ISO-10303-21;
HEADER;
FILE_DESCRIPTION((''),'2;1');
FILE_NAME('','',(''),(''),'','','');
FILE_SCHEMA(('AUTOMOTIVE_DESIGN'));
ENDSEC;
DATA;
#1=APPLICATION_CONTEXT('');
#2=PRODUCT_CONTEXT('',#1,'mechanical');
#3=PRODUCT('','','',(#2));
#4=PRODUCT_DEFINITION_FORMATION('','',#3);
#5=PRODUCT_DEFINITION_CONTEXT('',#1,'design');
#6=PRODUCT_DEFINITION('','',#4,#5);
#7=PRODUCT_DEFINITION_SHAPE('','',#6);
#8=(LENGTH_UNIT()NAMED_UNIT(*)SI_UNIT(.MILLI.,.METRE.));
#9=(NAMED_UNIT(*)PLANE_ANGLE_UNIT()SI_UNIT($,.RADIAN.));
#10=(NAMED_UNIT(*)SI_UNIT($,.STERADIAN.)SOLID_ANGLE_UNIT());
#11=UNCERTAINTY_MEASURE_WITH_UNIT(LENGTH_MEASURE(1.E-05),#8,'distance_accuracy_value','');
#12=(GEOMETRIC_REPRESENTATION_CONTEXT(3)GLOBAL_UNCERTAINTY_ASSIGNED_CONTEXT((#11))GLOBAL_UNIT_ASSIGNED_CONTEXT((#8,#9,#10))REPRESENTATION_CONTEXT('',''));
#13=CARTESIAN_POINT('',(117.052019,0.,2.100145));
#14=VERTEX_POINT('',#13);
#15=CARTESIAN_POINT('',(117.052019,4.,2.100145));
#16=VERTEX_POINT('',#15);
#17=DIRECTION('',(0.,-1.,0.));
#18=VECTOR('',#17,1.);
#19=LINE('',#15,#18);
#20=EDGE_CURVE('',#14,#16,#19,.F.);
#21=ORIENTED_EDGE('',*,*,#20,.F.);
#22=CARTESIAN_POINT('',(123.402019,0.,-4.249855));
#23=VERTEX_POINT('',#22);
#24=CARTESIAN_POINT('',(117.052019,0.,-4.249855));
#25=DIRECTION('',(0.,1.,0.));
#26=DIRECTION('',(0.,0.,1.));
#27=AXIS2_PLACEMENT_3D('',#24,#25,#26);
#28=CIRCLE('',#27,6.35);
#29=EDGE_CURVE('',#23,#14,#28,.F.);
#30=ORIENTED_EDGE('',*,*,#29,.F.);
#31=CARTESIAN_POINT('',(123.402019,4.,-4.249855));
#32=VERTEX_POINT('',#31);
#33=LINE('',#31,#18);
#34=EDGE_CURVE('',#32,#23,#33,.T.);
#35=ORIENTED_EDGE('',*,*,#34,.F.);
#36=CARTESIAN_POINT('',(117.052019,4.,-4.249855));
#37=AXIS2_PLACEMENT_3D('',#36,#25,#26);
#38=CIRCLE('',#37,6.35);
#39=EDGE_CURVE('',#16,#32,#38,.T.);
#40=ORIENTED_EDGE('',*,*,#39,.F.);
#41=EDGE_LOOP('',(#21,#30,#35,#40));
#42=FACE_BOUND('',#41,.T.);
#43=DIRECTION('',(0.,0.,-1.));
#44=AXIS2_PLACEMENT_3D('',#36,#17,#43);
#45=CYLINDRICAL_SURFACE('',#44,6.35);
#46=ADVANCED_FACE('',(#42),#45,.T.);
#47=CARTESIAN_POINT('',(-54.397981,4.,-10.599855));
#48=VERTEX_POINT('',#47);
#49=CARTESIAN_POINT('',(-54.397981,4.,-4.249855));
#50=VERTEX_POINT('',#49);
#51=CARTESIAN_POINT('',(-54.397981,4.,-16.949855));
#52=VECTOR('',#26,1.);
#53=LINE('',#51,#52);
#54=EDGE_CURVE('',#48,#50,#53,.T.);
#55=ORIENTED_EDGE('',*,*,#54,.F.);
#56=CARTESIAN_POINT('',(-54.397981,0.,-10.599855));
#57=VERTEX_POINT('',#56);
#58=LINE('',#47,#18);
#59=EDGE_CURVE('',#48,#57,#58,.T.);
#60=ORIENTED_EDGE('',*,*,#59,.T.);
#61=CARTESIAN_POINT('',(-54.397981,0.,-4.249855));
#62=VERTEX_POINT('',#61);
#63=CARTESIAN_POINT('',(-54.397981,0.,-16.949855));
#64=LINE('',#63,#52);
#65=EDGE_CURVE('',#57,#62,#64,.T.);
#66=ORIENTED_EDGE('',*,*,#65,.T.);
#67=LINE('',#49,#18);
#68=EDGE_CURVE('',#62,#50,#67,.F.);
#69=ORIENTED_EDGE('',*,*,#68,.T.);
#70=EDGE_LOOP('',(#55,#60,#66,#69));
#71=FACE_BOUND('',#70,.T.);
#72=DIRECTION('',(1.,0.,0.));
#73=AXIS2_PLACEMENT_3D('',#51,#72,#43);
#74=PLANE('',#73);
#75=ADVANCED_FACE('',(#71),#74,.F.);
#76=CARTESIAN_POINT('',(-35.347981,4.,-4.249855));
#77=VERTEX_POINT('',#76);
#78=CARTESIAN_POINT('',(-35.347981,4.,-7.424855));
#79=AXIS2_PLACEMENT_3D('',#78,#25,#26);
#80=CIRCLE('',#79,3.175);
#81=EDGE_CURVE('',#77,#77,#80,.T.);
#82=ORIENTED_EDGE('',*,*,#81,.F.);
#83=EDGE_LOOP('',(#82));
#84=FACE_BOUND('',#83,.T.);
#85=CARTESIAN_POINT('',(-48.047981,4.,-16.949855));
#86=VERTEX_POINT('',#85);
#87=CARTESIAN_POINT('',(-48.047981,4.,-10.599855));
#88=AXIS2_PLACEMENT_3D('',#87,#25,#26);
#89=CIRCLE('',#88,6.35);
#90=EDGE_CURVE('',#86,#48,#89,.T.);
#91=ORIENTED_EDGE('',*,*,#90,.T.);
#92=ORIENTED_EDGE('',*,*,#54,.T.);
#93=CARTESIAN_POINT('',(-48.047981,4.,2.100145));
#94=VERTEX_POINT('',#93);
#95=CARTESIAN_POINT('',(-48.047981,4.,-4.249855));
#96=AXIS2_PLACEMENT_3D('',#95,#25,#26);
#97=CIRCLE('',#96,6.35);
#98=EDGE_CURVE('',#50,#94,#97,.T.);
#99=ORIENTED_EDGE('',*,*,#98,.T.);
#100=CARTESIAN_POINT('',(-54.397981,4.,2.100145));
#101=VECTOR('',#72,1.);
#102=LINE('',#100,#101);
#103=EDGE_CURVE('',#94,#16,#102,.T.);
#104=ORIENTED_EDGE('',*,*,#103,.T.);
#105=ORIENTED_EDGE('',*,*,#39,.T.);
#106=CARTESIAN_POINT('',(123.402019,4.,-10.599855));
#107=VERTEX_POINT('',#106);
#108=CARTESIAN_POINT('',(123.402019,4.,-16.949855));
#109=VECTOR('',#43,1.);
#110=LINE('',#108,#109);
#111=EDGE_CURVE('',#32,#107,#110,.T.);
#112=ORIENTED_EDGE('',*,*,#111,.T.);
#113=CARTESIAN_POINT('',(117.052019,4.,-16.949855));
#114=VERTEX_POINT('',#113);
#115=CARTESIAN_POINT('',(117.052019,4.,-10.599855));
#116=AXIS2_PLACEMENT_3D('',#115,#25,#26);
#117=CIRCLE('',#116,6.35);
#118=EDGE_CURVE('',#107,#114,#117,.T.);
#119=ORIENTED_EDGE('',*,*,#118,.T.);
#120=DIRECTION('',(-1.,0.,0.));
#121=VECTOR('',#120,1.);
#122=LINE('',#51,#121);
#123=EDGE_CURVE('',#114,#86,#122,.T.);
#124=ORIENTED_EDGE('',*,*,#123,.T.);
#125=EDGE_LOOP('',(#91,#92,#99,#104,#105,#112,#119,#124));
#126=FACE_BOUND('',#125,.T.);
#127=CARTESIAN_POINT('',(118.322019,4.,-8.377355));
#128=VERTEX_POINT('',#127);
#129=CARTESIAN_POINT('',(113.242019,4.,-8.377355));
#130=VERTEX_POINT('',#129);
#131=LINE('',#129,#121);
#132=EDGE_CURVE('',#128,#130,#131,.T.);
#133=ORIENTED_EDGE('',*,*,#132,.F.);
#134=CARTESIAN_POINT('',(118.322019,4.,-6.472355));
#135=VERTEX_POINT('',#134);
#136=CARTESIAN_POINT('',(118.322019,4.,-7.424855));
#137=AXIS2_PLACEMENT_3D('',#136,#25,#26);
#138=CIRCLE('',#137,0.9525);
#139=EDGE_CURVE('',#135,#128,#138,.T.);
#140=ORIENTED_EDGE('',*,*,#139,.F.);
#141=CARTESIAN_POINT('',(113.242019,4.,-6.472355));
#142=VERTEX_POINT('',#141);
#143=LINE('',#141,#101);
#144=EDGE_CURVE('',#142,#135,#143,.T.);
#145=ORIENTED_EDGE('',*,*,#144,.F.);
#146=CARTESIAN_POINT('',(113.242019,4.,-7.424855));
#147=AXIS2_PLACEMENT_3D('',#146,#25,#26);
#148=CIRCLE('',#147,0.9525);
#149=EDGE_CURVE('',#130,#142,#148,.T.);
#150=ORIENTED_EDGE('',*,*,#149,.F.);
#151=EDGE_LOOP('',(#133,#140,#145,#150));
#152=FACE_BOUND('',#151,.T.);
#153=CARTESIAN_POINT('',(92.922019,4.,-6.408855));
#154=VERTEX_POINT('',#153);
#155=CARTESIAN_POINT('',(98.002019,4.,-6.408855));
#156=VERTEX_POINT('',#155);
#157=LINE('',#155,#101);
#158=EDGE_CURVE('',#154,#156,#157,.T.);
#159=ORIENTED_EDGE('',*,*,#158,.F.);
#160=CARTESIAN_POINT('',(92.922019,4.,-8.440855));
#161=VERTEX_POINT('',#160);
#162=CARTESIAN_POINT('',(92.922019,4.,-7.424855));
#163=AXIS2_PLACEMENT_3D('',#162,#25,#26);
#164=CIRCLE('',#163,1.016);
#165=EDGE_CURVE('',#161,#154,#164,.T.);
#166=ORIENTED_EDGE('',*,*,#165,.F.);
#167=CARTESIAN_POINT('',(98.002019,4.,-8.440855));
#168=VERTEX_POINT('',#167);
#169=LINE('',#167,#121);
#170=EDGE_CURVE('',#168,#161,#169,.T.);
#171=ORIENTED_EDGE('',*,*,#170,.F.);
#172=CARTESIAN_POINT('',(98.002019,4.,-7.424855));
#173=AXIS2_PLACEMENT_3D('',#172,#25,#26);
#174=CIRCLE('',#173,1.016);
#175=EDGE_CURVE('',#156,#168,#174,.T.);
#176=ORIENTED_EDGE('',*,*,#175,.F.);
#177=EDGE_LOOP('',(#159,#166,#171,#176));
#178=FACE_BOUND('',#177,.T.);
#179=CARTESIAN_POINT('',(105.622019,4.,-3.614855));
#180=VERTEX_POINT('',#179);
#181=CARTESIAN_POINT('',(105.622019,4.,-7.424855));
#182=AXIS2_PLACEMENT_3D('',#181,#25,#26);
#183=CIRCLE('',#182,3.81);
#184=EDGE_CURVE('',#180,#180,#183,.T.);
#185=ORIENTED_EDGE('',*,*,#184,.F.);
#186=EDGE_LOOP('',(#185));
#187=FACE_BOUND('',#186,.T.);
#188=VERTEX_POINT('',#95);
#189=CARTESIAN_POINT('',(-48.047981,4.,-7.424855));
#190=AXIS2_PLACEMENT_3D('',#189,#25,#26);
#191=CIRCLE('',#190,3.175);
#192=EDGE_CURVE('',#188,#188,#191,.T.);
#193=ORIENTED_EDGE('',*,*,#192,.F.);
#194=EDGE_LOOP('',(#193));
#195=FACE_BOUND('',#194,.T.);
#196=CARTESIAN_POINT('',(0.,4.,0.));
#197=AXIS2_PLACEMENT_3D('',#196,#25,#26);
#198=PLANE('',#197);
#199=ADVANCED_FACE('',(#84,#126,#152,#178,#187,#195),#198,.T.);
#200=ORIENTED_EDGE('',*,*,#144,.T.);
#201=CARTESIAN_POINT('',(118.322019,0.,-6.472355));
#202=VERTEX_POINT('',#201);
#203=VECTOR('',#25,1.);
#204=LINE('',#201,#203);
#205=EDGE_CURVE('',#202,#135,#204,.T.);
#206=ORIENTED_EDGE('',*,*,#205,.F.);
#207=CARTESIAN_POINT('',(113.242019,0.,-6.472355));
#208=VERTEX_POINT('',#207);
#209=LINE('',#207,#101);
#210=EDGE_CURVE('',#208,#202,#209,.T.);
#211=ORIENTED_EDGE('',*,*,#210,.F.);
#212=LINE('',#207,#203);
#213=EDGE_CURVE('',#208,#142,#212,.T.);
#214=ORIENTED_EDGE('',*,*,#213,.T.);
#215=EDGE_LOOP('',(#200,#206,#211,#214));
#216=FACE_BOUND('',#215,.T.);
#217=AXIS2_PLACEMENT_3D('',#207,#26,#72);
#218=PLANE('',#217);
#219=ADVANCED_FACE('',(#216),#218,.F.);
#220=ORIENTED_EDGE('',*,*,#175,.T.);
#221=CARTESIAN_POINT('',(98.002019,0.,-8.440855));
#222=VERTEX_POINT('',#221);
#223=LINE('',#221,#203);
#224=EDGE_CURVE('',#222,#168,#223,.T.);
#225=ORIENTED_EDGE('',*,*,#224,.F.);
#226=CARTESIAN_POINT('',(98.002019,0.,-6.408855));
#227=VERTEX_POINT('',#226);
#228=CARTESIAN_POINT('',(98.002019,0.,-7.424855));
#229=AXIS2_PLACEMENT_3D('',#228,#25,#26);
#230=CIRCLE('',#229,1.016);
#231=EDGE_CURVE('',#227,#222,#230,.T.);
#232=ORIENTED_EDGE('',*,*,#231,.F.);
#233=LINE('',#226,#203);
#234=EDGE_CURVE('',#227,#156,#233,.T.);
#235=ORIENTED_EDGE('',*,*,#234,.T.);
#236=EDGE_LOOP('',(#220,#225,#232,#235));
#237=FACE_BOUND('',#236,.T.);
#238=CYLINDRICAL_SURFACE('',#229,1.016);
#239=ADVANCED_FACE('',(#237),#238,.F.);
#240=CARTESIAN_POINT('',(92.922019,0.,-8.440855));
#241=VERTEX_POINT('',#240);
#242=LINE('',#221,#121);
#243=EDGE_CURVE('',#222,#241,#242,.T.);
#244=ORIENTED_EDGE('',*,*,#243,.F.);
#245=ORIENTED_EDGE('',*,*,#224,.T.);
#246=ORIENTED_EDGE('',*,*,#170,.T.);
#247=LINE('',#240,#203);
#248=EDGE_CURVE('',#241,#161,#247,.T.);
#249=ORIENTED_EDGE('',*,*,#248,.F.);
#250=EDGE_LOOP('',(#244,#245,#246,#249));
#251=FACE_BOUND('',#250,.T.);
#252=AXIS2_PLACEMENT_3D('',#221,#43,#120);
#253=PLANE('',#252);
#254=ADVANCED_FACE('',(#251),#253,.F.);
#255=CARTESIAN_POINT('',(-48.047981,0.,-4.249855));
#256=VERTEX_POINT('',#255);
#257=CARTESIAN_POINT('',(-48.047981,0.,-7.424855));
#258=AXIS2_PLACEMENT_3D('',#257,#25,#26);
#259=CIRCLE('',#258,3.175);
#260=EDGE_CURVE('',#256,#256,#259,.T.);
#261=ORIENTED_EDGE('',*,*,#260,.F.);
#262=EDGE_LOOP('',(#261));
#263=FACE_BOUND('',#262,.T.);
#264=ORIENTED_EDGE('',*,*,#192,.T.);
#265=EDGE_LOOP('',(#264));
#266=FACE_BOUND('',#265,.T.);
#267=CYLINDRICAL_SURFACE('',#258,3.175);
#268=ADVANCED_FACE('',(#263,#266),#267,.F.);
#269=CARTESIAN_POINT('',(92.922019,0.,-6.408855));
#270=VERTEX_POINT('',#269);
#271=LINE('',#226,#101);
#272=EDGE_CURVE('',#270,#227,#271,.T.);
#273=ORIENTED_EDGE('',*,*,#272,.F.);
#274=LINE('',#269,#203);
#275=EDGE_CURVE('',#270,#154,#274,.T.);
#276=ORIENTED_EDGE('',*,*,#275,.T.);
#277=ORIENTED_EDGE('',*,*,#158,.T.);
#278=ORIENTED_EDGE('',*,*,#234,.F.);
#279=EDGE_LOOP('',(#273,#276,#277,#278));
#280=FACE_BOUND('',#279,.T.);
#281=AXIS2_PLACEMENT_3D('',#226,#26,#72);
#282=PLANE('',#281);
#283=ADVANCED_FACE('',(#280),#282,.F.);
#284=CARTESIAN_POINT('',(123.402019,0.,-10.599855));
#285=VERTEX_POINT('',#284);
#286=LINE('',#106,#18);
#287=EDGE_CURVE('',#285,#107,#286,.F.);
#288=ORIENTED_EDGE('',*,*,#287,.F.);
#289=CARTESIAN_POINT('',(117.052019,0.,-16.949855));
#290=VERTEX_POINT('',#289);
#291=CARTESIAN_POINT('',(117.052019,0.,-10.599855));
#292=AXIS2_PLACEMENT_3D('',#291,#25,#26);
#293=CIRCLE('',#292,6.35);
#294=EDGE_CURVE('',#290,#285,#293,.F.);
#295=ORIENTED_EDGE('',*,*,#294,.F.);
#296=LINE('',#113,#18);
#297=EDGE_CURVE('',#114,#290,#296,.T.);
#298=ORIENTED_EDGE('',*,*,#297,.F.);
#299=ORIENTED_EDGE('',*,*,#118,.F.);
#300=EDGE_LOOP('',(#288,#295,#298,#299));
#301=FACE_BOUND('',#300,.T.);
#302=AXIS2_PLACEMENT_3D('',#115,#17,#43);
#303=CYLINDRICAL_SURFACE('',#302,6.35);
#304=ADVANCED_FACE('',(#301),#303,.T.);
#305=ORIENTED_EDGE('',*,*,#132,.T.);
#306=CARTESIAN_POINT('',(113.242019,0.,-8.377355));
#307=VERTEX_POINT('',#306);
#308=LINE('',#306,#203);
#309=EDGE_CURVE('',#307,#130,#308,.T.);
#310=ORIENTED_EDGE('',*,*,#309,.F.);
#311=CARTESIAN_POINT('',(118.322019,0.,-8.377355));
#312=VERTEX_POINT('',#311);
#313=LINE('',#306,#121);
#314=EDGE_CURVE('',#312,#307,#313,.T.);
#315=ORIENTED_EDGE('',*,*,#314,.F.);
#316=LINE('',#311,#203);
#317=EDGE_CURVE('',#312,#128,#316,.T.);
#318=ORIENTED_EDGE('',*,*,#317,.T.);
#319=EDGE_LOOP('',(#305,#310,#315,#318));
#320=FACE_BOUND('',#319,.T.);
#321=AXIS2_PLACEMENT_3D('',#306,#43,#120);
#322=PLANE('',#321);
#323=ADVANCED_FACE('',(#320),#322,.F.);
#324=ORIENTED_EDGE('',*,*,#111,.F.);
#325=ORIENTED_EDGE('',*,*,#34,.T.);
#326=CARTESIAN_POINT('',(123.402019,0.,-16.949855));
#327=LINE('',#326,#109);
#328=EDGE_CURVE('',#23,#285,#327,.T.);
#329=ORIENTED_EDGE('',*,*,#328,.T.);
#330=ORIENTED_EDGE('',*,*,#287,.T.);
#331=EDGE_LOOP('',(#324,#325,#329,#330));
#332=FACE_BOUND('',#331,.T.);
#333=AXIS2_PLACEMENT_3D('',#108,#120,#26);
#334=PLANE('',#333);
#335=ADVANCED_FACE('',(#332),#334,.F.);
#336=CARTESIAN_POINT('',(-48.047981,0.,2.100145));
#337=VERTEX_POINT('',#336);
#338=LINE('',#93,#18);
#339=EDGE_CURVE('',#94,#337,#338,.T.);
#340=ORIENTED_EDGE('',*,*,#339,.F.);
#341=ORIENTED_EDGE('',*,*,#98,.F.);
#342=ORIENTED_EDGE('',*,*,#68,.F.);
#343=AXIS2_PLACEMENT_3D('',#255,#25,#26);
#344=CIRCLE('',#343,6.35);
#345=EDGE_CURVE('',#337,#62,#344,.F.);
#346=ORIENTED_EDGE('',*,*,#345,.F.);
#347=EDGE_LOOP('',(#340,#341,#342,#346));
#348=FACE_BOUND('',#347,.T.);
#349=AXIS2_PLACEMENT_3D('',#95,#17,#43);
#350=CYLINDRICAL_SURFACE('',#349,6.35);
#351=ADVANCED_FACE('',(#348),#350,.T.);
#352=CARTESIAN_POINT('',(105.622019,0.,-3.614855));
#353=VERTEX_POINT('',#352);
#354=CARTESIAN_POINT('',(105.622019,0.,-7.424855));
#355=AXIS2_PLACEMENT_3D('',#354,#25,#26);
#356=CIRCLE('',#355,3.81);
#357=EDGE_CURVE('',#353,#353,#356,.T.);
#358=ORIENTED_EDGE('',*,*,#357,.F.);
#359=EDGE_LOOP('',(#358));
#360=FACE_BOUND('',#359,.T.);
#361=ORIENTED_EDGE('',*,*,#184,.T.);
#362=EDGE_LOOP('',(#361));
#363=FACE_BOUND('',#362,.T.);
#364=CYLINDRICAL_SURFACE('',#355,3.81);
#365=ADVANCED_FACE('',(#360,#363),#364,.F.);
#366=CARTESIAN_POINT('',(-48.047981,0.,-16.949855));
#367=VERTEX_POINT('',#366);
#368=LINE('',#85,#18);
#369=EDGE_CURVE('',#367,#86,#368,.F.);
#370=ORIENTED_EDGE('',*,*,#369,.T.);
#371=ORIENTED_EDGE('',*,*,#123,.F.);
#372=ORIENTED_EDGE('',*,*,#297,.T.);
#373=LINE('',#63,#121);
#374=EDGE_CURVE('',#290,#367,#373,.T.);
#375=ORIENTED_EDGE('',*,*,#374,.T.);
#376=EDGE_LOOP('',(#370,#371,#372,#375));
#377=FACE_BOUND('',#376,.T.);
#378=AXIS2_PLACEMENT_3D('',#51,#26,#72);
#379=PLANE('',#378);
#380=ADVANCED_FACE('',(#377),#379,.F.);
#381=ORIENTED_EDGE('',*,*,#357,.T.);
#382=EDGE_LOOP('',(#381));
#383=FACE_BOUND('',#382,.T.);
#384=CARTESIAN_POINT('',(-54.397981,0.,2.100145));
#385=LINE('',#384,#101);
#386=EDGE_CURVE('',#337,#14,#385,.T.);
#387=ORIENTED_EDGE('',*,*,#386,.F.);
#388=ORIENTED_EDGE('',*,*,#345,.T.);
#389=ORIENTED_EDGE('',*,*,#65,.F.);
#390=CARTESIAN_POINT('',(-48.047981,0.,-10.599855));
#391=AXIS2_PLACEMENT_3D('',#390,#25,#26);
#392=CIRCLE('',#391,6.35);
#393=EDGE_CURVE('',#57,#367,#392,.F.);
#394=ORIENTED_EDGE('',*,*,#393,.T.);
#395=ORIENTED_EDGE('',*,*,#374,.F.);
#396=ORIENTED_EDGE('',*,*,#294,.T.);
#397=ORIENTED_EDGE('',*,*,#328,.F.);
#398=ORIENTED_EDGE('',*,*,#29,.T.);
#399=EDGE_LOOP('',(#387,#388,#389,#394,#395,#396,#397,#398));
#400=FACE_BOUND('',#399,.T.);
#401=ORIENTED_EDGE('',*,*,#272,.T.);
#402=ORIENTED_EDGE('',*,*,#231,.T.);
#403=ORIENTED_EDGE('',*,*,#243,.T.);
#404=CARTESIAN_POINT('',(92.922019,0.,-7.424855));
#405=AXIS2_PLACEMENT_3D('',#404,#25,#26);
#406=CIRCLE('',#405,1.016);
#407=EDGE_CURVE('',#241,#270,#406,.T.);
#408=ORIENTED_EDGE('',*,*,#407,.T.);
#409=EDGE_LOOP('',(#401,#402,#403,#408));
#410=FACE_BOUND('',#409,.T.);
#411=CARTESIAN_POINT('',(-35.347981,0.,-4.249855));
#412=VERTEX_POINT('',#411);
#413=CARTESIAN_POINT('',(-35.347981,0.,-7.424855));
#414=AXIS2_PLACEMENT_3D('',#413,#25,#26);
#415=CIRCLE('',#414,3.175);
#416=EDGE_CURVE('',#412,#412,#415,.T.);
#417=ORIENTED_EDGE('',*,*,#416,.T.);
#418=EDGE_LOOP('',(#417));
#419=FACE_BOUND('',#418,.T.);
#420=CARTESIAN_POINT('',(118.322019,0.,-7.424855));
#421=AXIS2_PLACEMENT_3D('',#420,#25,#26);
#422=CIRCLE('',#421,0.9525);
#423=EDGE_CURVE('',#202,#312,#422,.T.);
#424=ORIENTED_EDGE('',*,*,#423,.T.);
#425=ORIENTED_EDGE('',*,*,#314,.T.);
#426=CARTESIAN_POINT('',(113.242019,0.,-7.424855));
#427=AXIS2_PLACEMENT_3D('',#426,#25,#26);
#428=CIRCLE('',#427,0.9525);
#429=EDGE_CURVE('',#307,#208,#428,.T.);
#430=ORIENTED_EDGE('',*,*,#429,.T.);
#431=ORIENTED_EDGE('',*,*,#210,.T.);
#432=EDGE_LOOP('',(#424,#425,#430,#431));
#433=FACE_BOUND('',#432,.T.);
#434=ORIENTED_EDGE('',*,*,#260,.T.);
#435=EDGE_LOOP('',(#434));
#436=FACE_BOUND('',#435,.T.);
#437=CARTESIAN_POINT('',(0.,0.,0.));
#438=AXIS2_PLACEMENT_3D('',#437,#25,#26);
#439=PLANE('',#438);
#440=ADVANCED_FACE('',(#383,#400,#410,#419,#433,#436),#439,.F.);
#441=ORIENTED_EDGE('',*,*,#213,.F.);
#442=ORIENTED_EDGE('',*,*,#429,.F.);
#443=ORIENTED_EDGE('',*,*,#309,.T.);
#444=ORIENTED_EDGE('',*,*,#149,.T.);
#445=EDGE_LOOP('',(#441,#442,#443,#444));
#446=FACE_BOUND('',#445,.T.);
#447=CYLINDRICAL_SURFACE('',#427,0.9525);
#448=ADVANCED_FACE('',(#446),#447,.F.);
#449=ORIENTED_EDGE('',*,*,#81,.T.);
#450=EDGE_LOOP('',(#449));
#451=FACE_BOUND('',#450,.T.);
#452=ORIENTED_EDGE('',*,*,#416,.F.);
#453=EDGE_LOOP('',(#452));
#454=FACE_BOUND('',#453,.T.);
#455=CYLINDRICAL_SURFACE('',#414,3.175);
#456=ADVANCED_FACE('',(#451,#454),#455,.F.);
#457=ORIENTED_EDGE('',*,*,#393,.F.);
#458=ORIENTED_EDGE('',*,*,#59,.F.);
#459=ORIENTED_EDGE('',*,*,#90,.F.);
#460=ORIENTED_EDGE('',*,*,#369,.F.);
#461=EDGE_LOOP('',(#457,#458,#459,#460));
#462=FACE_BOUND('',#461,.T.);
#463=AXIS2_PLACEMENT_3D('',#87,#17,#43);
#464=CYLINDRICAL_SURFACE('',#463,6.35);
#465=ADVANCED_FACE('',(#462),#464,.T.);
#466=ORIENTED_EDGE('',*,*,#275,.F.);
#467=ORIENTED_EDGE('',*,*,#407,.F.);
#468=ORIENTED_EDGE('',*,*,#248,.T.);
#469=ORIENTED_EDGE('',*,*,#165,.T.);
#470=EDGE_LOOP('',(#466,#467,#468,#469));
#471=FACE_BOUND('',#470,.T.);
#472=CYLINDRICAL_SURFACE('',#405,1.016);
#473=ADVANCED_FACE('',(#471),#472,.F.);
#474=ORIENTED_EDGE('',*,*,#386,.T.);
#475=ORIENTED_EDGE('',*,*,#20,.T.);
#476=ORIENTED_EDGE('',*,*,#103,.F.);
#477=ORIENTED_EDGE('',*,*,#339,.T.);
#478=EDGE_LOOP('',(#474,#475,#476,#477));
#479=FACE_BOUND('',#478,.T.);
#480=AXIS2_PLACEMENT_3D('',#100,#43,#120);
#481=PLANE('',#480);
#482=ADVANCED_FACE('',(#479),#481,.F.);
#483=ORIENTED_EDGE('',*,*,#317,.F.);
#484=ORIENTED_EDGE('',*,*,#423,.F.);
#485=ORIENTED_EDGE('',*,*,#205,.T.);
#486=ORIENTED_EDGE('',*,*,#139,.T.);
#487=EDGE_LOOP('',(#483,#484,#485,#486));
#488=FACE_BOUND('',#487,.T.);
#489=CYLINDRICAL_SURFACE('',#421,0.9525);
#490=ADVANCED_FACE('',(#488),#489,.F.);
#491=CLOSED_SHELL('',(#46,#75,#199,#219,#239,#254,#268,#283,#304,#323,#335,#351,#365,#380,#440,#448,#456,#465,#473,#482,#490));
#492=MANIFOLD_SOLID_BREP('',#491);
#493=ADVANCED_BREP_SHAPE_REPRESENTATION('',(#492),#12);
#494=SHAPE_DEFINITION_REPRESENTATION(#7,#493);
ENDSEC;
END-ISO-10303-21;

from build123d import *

# Parameters (mm, degrees)
SKETCH1_W           = 177.8
SKETCH1_H           = 19.05
BOSS_EXTRUDE1_DEPTH = 4
FILLET1_R           = 6.35
SKETCH2_R           = 3.175
SKETCH2_R_2         = 3.81
CUT_EXTRUDE1_DEPTH  = 125.624860515


with BuildPart() as part:
    # Sketch1 → Boss-Extrude1 (new body)
    with BuildSketch(Plane(origin=(0, 0, 0), x_dir=(1, 0, 0), z_dir=(0, 1, 0))):
        with Locations((34.502018925, 7.424854969)):
            Rectangle(SKETCH1_W, SKETCH1_H)
    extrude(amount=BOSS_EXTRUDE1_DEPTH)

    # Fillet1
    fillet1_edges = [part.edges().sort_by_distance(p)[0] for p in [
        (-54.397981075, 2, -16.949854969),
        (123.402018925, 2, -16.949854969),
        (123.402018925, 2, 2.100145031),
        (-54.397981075, 2, 2.100145031),
    ]]
    fillet(fillet1_edges, radius=FILLET1_R)

    # Sketch2 → Cut-Extrude1 (cut, through all)
    with BuildSketch(Plane(origin=(0, 4, 0), x_dir=(1, 0, 0), z_dir=(0, 1, 0))):
        with Locations(Location((-48.047981075, 7.424854969, 0), (0, 0, 270))):
            Circle(SKETCH2_R)
        with Locations(Location((-35.347981075, 7.424854969, 0), (0, 0, 270))):
            Circle(SKETCH2_R)
        with Locations(Location((105.622018925, 7.424854969, 0), (0, 0, 270))):
            Circle(SKETCH2_R_2)
        with BuildLine():
            Line((113.242018925, 8.377354969), (118.322018925, 8.377354969))
            ThreePointArc((118.322018925, 8.377354969), (119.274518925, 7.424854969), (118.322018925, 6.472354969))
            Line((118.322018925, 6.472354969), (113.242018925, 6.472354969))
            ThreePointArc((113.242018925, 6.472354969), (112.289518925, 7.424854969), (113.242018925, 8.377354969))
        make_face()
        with BuildLine():
            Line((98.002018925, 6.408854969), (92.922018925, 6.408854969))
            ThreePointArc((92.922018925, 6.408854969), (91.906018925, 7.424854969), (92.922018925, 8.440854969))
            Line((92.922018925, 8.440854969), (98.002018925, 8.440854969))
            ThreePointArc((98.002018925, 8.440854969), (99.018018925, 7.424854969), (98.002018925, 6.408854969))
        make_face()
    extrude(amount=-CUT_EXTRUDE1_DEPTH, mode=Mode.SUBTRACT)


solid = part.part
